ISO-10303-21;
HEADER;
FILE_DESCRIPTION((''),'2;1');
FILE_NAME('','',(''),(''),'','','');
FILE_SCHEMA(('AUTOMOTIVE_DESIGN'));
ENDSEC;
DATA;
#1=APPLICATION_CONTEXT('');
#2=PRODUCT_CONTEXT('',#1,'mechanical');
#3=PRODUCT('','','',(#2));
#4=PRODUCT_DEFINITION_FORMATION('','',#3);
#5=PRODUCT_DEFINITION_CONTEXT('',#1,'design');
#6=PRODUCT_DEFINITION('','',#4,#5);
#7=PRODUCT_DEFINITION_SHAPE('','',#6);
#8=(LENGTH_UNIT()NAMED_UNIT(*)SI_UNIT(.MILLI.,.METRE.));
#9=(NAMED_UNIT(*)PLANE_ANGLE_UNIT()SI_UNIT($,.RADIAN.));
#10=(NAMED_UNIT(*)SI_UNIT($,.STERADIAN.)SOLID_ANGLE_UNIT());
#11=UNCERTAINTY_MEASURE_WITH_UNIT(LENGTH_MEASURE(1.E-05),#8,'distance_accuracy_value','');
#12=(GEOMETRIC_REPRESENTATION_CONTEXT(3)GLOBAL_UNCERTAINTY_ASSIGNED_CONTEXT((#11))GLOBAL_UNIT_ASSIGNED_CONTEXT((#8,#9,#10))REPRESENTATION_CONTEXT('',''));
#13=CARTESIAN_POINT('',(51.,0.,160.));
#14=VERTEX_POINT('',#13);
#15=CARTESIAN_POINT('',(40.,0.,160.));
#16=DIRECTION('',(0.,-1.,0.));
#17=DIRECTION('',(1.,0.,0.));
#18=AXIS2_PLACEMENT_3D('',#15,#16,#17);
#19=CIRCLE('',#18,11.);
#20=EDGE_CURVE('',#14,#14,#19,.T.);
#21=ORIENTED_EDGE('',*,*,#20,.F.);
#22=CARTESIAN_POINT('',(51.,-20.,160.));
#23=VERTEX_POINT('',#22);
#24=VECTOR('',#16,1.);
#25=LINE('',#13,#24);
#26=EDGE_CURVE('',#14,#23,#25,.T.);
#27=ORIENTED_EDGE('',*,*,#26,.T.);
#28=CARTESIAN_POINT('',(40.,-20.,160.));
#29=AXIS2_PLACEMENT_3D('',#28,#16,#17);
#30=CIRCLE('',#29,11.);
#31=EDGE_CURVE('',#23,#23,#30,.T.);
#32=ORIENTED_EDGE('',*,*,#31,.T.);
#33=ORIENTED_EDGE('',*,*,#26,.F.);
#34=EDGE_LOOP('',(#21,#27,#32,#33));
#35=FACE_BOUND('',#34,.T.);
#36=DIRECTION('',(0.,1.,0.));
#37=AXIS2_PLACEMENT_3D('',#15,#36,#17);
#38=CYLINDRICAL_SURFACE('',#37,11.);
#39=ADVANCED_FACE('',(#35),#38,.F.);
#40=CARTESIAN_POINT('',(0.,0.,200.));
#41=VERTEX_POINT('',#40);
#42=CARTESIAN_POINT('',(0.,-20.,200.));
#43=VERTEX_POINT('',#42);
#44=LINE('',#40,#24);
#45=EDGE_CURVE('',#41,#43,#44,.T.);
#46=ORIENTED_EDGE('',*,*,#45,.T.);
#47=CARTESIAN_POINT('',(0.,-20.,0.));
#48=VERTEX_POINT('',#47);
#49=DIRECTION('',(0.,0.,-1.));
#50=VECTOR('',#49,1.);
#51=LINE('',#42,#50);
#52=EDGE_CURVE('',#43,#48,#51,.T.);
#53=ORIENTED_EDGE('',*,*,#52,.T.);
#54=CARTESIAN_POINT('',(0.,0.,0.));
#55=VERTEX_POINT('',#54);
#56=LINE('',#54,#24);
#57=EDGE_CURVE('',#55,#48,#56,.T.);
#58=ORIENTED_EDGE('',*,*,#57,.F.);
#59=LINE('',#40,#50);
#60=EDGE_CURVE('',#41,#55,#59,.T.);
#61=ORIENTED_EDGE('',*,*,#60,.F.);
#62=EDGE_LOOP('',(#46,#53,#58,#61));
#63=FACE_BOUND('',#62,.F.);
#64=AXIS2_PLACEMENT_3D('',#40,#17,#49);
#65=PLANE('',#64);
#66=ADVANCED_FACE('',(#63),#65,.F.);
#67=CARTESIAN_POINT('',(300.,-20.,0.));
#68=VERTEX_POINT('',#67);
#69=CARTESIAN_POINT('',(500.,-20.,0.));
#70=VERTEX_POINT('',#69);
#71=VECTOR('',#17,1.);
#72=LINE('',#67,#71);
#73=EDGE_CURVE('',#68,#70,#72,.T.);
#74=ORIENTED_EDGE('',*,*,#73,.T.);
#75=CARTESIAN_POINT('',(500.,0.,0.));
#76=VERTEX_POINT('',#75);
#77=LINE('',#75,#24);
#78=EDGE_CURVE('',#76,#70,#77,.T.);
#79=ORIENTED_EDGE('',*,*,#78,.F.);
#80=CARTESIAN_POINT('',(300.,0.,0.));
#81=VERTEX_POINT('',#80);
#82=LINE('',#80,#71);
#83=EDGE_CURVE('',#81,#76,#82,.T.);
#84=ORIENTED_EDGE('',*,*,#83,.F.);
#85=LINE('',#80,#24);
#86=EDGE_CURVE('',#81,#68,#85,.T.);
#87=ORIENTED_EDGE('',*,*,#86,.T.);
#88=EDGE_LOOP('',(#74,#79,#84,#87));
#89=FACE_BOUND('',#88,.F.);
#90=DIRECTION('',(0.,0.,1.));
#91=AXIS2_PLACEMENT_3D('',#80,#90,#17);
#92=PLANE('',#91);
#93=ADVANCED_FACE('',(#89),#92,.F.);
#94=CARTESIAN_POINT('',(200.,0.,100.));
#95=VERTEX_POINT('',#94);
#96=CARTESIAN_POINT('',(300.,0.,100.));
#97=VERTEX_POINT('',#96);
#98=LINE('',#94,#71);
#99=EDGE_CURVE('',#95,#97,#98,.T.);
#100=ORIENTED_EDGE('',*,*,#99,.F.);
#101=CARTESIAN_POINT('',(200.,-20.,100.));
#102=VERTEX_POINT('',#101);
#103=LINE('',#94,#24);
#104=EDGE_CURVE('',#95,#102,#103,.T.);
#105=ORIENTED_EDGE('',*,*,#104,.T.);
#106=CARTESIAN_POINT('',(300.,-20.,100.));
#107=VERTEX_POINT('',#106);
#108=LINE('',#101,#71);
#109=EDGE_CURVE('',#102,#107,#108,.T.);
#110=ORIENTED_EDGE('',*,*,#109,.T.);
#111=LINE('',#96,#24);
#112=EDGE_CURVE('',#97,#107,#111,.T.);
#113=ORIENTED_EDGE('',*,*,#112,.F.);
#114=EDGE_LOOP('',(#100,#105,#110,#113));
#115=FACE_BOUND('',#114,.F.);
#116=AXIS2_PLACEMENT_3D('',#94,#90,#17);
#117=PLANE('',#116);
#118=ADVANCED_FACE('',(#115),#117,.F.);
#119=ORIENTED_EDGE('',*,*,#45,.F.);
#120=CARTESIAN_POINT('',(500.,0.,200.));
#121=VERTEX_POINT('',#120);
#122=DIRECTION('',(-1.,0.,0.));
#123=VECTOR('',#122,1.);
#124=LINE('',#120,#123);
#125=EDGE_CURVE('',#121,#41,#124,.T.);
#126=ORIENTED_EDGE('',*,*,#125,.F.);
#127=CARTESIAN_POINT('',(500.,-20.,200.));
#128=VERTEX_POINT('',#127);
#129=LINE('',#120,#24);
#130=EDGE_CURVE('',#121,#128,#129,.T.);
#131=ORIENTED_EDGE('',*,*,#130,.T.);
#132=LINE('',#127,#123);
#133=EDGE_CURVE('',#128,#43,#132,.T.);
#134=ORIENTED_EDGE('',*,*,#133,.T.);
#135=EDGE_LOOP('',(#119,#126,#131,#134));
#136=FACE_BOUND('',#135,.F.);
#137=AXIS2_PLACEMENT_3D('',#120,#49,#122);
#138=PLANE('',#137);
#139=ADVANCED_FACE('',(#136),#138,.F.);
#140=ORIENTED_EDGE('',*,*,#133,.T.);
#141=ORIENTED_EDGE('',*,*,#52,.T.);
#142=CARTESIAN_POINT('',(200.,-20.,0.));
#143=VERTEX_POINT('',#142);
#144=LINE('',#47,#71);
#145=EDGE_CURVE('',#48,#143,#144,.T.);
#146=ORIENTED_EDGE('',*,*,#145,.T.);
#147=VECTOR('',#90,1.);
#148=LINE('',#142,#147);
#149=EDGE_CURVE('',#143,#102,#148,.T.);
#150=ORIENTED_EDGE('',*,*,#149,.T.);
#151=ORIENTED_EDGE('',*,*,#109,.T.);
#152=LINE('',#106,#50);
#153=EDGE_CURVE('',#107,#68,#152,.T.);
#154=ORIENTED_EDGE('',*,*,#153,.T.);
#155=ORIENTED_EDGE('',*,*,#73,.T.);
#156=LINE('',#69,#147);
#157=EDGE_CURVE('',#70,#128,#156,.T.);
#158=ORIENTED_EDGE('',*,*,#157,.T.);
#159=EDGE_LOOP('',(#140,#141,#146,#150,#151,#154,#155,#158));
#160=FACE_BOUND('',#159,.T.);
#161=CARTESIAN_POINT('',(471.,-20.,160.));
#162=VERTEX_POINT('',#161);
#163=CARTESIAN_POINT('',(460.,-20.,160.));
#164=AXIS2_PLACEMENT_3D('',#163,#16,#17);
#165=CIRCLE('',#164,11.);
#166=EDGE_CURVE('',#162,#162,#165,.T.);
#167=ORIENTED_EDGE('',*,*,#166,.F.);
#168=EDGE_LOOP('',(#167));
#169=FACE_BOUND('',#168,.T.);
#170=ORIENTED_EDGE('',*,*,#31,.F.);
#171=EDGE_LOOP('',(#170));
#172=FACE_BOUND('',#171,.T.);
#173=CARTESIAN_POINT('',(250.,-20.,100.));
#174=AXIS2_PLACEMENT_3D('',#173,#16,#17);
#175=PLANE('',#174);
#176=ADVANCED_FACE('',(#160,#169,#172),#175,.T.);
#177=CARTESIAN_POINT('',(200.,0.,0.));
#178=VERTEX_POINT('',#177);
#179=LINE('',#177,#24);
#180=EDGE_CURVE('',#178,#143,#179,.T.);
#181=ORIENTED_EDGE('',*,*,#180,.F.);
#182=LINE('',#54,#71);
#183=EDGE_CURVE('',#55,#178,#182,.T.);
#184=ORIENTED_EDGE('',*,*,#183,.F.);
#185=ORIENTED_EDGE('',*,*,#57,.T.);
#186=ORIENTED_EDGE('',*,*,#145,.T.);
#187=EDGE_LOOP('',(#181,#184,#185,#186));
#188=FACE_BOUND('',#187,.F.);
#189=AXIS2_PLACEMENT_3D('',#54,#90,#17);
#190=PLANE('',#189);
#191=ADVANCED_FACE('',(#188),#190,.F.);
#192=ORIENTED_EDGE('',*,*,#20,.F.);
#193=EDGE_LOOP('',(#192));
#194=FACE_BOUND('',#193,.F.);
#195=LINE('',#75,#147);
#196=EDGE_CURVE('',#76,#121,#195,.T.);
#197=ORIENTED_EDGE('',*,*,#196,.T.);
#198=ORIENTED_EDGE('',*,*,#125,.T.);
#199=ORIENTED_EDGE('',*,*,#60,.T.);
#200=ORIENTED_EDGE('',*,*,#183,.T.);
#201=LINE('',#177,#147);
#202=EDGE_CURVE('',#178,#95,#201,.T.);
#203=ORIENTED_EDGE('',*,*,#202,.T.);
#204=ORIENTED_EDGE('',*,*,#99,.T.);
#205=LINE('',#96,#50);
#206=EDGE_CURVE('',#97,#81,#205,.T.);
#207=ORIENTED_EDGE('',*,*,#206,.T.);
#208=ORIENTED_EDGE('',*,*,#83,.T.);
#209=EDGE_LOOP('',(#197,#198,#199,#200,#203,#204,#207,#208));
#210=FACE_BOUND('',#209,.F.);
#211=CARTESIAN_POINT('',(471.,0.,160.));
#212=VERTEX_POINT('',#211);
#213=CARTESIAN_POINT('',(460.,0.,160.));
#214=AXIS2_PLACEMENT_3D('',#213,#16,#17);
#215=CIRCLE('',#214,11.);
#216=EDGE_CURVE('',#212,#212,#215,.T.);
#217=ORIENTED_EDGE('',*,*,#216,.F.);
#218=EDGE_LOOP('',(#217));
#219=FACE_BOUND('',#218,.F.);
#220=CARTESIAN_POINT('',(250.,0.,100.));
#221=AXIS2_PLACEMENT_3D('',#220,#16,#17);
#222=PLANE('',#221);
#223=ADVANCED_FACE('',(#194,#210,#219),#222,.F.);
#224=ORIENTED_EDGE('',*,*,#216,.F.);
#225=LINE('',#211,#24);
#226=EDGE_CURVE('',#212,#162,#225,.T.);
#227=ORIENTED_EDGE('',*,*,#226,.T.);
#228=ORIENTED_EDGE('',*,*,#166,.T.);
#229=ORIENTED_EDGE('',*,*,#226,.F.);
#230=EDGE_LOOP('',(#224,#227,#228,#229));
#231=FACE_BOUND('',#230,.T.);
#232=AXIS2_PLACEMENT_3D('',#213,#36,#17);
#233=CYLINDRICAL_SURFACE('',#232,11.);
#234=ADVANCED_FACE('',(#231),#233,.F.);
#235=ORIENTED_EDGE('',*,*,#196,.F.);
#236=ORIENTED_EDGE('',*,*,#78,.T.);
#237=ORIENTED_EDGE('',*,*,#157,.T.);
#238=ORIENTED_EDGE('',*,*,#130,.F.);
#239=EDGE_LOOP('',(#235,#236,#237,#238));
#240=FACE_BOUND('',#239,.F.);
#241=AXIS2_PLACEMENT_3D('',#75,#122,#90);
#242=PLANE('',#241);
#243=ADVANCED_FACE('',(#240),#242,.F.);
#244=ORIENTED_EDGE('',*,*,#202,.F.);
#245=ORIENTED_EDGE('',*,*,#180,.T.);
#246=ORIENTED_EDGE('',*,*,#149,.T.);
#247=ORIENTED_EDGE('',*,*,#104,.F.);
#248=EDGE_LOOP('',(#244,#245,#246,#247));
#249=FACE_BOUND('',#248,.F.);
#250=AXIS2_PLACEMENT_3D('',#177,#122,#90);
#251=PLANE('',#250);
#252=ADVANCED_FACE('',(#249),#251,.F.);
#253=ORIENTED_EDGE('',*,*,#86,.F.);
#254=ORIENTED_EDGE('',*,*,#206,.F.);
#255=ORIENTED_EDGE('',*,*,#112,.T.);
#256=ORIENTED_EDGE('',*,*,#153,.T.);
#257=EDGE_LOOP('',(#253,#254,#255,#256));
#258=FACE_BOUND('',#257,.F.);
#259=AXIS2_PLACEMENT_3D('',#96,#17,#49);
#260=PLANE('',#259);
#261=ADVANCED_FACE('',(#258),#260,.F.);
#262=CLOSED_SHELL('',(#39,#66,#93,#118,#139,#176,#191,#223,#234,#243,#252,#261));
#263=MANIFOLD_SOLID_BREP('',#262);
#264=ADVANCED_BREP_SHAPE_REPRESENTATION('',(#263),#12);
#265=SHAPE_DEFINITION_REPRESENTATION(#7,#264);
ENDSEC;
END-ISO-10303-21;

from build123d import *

# Parameters (mm, degrees)
F0_R     = 11
F1_DEPTH = 20


with BuildPart() as f1:
    # F0 (on Front) → F1 (new body)
    with BuildSketch(Plane.XZ):
        Polygon((0, 200), (0, 0), (200, 0), (200, 100), (300, 100), (300, 0), (500, 0), (500, 200), align=None)
        with Locations((40, 160)):
            Circle(F0_R, mode=Mode.SUBTRACT)
        with Locations((460, 160)):
            Circle(F0_R, mode=Mode.SUBTRACT)
    extrude(amount=F1_DEPTH)


solid = f1.part
